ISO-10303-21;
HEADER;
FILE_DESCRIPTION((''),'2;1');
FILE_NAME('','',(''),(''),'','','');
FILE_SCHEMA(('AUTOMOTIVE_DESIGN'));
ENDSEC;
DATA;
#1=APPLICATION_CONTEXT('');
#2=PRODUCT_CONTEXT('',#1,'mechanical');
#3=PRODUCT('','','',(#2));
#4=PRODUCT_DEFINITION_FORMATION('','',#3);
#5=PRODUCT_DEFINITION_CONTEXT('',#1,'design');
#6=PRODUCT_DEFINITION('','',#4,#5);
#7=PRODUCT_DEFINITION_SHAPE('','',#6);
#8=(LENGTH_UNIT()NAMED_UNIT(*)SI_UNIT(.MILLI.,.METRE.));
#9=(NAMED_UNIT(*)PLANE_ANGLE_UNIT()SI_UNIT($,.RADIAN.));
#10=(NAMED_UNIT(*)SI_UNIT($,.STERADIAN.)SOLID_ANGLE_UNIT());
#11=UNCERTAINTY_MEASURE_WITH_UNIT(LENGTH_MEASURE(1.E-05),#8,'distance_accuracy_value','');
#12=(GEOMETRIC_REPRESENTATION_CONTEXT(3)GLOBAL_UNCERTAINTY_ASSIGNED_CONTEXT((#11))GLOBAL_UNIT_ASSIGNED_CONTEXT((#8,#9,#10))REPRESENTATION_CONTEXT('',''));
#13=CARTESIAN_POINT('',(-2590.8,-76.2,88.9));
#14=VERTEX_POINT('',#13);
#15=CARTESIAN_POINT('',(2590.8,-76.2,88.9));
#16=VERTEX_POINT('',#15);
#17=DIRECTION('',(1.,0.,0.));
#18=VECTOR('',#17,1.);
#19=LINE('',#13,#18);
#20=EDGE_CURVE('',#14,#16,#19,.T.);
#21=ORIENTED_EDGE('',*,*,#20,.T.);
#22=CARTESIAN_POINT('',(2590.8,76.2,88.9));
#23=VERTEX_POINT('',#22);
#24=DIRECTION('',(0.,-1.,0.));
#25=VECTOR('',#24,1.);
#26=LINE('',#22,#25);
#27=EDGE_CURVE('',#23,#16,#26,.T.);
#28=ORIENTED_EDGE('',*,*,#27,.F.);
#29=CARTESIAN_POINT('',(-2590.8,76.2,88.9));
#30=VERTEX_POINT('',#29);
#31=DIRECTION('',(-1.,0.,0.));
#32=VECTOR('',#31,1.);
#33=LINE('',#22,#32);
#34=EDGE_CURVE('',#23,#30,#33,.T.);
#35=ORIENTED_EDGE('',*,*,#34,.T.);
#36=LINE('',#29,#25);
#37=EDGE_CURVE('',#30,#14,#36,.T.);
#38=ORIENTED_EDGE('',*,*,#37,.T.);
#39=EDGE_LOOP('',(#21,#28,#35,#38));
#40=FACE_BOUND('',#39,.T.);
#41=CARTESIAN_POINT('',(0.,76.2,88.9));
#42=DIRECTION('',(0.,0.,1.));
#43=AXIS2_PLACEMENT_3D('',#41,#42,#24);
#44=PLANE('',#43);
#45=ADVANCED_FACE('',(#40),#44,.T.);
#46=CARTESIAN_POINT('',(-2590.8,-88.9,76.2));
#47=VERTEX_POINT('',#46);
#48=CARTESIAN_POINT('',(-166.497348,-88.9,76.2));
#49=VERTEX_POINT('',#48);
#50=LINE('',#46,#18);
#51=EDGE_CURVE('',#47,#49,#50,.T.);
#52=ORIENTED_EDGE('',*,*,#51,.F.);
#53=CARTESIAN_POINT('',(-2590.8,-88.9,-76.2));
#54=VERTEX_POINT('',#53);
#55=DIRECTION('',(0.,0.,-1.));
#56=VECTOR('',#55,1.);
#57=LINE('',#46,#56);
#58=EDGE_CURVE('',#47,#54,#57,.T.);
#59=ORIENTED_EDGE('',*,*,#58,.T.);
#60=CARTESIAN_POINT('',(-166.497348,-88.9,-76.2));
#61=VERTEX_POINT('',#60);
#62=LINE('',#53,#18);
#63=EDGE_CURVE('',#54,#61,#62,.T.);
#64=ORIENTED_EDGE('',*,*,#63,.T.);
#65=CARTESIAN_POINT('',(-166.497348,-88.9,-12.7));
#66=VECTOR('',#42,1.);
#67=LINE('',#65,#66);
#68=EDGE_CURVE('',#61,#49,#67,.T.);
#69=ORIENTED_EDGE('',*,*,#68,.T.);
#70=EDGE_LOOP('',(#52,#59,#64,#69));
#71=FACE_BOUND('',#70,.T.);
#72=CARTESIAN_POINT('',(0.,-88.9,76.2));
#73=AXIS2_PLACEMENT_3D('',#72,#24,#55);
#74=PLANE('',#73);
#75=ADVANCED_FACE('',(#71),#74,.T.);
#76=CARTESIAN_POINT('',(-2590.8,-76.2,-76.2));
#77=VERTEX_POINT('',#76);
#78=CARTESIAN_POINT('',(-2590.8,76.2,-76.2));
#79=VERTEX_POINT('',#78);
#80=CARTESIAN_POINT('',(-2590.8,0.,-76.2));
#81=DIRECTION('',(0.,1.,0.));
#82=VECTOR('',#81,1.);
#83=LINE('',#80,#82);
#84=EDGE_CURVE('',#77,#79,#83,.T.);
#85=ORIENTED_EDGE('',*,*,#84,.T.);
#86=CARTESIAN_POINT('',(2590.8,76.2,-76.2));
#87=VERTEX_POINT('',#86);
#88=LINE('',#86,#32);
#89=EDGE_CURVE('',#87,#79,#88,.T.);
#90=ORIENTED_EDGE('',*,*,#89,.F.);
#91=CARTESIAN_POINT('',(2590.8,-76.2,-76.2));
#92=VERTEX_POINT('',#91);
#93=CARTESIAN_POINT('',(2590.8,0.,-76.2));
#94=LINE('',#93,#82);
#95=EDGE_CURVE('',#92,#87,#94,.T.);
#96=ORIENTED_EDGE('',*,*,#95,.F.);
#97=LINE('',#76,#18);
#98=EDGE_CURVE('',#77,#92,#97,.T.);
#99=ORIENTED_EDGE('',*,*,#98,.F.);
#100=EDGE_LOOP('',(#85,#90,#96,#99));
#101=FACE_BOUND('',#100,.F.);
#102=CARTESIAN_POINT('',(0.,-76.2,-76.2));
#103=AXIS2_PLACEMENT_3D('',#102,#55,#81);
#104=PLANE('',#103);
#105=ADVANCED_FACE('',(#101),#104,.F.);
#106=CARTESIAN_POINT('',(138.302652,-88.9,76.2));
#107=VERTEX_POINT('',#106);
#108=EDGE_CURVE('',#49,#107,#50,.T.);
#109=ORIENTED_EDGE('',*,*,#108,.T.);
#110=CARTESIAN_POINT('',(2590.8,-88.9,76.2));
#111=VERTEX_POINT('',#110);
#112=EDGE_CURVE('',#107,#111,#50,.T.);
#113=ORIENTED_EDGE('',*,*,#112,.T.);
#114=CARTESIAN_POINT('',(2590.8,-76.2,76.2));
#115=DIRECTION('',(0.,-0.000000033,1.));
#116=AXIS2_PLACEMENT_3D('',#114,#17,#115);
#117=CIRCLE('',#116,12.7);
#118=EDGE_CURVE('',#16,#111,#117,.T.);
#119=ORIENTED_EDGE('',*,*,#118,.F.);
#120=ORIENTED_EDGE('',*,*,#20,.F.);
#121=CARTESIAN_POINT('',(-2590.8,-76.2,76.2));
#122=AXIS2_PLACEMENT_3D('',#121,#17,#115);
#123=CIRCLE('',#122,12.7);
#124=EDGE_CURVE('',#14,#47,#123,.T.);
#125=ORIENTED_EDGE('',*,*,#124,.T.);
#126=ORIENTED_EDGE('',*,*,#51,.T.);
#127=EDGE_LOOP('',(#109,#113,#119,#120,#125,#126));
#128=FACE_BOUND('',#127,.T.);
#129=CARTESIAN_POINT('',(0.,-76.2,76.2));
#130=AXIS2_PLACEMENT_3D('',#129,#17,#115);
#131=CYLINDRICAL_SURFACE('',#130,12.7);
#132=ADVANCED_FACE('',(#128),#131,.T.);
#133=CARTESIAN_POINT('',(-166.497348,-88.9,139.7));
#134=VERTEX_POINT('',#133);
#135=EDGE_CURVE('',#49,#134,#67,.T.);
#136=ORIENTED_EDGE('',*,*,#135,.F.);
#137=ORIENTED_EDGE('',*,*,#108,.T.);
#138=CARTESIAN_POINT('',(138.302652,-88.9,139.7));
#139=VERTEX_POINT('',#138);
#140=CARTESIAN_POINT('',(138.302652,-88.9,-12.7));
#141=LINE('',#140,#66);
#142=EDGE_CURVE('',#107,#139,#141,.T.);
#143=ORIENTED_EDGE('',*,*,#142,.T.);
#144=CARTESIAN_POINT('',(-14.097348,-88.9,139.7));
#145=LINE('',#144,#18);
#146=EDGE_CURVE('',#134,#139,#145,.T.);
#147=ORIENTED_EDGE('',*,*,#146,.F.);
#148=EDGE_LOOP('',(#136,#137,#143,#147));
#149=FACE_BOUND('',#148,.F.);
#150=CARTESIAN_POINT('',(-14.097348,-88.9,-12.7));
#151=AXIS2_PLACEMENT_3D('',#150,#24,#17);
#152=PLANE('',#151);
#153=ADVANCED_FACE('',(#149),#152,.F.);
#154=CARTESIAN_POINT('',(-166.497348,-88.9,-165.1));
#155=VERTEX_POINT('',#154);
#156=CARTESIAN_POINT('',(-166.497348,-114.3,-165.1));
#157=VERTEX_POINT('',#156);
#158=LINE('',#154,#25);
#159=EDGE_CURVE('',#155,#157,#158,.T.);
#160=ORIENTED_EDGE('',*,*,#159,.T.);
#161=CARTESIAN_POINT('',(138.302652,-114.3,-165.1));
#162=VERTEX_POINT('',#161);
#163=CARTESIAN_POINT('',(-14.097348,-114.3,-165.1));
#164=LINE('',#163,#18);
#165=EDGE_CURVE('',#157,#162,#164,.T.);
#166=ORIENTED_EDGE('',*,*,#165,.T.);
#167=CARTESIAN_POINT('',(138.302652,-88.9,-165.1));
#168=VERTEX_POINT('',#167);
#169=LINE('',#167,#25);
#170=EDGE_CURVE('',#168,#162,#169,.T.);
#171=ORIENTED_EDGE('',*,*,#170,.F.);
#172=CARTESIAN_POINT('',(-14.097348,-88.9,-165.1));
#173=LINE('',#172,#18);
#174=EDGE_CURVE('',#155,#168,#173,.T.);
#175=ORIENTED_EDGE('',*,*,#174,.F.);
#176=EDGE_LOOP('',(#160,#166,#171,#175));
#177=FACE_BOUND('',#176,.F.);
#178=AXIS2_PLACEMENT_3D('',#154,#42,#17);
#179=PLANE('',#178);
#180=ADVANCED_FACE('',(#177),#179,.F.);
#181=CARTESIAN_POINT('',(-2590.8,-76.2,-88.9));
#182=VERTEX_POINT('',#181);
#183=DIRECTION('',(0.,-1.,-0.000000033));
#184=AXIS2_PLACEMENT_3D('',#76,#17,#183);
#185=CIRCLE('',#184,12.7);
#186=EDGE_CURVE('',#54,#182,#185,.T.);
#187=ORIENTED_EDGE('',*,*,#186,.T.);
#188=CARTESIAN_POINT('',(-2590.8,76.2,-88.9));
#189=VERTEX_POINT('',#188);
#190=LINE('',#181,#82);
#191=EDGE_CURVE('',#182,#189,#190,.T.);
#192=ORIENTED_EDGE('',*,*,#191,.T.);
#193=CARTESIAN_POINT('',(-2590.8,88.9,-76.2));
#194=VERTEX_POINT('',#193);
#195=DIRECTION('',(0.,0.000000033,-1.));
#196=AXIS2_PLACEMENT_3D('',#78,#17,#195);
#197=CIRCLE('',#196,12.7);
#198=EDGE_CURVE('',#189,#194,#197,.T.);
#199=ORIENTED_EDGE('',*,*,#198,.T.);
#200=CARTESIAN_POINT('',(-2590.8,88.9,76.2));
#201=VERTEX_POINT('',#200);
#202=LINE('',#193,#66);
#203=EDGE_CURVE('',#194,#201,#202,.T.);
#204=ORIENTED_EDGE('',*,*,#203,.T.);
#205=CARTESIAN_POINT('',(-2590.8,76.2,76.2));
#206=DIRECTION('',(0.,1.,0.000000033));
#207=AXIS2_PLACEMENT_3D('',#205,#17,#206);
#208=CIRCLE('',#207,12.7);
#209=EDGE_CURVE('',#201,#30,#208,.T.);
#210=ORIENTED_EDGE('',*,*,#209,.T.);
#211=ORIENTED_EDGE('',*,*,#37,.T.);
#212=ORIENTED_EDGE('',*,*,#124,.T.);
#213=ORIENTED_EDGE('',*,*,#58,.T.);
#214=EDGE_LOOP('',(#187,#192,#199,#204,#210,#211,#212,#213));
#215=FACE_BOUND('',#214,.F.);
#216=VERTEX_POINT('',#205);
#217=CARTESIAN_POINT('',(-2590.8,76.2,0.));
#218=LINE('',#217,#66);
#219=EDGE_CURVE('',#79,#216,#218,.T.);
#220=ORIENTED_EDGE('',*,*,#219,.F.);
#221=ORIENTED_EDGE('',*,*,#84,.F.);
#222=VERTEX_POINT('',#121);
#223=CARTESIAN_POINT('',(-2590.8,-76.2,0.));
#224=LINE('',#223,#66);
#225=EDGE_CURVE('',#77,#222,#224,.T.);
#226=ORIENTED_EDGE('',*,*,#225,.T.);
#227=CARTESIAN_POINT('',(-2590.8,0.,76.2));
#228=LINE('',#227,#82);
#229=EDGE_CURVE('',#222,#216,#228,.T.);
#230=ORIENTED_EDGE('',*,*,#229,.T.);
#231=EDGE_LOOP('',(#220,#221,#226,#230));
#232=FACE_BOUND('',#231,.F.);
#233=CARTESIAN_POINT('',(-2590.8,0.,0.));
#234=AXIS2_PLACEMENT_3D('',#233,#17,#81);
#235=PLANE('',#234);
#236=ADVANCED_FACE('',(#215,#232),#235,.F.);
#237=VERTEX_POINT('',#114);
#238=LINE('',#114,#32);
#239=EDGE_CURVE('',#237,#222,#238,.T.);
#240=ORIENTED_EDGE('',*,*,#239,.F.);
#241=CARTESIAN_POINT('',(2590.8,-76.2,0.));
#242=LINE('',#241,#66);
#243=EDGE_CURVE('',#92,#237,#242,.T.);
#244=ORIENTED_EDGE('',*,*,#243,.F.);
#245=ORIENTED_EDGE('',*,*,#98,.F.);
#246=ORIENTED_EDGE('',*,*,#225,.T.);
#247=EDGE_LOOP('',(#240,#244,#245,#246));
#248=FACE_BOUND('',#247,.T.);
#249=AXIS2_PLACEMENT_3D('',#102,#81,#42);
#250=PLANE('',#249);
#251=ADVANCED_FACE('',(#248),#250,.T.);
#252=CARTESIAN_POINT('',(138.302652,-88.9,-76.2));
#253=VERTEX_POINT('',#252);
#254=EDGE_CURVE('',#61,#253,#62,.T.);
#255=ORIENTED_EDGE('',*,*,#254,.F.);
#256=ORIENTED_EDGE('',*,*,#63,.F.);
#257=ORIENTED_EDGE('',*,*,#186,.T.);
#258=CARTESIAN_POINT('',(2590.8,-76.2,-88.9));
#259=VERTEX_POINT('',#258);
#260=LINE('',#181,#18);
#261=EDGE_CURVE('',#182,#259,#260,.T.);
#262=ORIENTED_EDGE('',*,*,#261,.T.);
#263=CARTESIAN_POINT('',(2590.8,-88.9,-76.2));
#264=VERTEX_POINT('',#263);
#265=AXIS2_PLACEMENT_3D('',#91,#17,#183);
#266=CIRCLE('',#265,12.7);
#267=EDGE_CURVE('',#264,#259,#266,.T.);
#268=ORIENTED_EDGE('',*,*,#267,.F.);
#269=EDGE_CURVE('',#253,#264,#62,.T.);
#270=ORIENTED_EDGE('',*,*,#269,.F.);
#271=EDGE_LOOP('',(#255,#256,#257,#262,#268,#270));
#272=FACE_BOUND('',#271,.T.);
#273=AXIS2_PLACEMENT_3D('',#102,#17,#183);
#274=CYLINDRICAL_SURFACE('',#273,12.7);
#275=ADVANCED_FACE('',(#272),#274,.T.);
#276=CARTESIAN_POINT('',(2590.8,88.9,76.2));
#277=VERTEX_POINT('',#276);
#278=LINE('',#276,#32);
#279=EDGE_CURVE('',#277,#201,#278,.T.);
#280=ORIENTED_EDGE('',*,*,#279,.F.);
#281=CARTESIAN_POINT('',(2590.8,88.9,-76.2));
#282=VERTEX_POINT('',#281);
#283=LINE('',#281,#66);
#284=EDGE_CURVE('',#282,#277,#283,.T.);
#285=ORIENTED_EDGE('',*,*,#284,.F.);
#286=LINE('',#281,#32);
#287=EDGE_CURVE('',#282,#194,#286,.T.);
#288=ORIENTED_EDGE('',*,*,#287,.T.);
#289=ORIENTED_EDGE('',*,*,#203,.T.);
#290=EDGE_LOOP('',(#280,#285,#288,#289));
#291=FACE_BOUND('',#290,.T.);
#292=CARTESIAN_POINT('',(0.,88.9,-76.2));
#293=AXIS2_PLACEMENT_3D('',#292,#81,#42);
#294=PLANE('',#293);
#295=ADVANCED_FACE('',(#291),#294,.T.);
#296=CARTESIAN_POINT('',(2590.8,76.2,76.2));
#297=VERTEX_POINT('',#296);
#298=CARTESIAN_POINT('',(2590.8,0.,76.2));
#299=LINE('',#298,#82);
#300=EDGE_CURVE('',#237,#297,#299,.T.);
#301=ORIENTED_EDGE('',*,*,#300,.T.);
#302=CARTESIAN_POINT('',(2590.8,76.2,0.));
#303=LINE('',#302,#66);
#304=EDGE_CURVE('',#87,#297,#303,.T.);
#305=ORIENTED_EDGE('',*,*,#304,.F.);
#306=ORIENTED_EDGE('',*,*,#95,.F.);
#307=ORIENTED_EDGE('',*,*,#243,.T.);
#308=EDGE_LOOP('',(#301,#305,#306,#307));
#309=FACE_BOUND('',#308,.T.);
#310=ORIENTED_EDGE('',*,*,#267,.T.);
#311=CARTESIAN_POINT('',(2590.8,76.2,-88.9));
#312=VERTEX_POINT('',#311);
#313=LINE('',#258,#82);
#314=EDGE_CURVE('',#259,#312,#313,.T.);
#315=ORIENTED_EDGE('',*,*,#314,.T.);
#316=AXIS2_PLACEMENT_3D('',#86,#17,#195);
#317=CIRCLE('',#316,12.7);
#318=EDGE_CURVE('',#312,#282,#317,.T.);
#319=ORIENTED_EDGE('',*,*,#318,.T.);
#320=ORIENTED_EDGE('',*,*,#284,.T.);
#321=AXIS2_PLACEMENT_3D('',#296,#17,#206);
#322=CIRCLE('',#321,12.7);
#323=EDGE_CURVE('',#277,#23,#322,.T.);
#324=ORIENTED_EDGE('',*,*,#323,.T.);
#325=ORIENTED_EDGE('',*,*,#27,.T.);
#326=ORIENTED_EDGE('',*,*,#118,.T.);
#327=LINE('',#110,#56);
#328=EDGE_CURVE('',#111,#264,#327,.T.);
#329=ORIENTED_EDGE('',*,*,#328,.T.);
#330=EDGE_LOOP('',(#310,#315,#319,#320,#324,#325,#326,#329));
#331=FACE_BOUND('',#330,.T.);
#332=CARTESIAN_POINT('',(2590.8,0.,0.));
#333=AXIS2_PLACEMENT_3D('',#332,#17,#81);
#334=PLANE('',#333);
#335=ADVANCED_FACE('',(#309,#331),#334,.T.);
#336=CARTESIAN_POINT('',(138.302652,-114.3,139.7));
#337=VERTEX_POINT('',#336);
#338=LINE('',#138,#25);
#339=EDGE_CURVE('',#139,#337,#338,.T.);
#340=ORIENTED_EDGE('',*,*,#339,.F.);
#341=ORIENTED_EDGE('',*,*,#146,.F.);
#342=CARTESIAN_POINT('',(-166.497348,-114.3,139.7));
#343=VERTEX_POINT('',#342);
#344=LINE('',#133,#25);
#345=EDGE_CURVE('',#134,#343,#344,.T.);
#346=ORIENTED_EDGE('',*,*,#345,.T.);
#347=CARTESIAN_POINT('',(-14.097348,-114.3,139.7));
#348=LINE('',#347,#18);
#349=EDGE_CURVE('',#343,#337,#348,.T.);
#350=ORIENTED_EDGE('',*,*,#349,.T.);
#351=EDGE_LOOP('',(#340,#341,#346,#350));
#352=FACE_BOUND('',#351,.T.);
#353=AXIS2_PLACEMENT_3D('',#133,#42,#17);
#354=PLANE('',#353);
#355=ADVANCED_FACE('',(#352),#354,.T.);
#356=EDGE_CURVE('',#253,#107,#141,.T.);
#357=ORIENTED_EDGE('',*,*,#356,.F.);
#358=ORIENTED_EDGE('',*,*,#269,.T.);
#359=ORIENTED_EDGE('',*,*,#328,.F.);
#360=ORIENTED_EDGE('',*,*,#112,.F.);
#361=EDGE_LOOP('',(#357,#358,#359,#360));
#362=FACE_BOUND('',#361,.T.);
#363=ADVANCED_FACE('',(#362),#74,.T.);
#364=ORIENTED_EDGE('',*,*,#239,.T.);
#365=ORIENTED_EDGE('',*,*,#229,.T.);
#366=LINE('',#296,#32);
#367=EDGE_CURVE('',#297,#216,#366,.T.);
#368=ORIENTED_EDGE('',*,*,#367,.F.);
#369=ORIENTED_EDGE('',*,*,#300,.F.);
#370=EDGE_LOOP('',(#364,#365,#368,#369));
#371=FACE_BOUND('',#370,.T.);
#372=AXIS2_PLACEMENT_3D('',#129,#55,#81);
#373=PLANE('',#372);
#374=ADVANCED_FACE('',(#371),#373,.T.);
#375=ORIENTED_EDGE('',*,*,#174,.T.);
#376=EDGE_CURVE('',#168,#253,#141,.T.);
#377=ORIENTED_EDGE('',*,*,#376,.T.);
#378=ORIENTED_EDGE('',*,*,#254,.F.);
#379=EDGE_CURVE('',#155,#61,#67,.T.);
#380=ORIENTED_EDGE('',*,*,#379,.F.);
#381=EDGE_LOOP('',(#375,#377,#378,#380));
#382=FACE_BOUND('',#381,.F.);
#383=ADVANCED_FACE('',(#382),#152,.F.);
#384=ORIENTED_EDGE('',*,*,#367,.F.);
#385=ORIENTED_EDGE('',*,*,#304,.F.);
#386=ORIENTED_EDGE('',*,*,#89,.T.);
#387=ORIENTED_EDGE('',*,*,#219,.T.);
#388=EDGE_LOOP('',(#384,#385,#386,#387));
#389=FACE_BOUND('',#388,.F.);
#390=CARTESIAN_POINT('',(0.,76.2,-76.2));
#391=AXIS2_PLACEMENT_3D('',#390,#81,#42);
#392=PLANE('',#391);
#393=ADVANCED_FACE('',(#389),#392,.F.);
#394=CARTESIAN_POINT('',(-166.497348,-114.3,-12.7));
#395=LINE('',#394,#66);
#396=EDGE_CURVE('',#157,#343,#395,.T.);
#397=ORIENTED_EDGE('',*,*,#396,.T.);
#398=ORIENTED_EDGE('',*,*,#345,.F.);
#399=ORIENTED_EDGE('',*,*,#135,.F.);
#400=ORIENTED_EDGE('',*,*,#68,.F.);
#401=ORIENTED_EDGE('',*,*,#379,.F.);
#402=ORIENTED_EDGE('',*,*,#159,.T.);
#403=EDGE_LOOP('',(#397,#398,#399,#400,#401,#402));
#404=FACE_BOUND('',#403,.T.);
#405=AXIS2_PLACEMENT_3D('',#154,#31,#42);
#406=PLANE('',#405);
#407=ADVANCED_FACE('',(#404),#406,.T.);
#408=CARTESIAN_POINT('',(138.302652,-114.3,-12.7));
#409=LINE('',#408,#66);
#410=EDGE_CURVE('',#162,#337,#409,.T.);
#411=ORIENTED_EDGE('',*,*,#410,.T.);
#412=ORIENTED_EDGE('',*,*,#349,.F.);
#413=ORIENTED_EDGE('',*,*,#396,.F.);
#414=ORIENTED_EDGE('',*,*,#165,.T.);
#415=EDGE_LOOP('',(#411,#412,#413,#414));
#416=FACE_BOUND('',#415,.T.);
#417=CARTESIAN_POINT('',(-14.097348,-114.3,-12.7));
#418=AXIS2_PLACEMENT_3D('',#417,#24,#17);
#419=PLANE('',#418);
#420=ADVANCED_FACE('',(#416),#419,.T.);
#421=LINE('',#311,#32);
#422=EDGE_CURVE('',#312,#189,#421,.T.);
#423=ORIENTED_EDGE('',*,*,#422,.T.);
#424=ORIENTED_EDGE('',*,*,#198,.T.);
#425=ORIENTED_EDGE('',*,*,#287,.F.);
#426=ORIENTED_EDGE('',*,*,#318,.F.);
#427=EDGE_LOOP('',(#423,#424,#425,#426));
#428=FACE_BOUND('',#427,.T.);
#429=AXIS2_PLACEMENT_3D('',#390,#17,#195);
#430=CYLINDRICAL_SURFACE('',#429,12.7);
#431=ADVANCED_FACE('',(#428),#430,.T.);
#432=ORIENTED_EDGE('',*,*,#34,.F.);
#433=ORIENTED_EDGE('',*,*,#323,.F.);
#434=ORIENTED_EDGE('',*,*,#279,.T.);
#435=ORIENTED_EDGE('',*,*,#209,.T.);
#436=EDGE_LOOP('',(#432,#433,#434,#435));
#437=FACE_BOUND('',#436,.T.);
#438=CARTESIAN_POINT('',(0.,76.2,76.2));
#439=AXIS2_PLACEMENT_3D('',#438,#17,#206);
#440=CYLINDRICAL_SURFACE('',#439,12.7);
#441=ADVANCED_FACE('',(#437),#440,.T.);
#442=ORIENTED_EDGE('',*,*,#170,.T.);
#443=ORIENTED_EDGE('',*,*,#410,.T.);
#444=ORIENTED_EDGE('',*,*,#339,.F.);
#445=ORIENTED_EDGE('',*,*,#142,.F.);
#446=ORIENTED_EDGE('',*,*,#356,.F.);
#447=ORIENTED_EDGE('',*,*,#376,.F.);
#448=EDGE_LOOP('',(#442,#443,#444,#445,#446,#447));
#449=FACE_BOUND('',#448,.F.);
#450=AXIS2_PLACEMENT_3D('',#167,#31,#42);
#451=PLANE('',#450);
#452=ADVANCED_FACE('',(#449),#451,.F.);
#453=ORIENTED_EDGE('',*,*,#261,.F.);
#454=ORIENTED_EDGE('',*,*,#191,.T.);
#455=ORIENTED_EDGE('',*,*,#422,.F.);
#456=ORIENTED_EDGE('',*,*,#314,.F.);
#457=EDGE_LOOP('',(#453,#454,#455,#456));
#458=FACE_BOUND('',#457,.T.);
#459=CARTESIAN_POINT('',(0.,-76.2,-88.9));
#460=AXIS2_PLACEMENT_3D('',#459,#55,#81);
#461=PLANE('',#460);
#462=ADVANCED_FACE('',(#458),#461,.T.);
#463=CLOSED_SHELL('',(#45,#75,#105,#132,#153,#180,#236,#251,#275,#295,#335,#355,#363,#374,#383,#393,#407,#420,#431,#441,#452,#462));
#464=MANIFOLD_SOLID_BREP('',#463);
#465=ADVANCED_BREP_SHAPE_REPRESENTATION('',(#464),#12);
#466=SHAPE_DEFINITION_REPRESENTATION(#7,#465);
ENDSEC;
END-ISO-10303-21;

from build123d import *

# Parameters (mm, degrees)
F0_W     = 152.4
F0_H     = 152.4
F1_DEPTH = 2590.8
F2_W     = 304.8
F2_H     = 304.8
F3_DEPTH = 25.4


with BuildPart() as f1:
    # F0 (on Right) → F1 (new body, symmetric)
    with BuildSketch(Plane.YZ):
        with BuildLine():
            Line((76.2, 88.9), (-76.2, 88.9))
            ThreePointArc((-76.2, 88.9), (-85.180256, 85.180256), (-88.9, 76.2))
            Line((-88.9, 76.2), (-88.9, -76.2))
            ThreePointArc((-88.9, -76.2), (-85.180256, -85.180256), (-76.2, -88.9))
            Line((-76.2, -88.9), (76.2, -88.9))
            ThreePointArc((76.2, -88.9), (85.180256, -85.180256), (88.9, -76.2))
            Line((88.9, -76.2), (88.9, 76.2))
            ThreePointArc((88.9, 76.2), (85.180256, 85.180256), (76.2, 88.9))
        make_face()
        Rectangle(F0_W, F0_H, mode=Mode.SUBTRACT)
    extrude(amount=F1_DEPTH, both=True)

    # F2 (on face) → F3 (join)
    with BuildSketch(Plane.XZ.offset(88.9)):
        with Locations((-14.097348, -12.7)):
            Rectangle(F2_W, F2_H)
    extrude(amount=F3_DEPTH)


solid = f1.part
